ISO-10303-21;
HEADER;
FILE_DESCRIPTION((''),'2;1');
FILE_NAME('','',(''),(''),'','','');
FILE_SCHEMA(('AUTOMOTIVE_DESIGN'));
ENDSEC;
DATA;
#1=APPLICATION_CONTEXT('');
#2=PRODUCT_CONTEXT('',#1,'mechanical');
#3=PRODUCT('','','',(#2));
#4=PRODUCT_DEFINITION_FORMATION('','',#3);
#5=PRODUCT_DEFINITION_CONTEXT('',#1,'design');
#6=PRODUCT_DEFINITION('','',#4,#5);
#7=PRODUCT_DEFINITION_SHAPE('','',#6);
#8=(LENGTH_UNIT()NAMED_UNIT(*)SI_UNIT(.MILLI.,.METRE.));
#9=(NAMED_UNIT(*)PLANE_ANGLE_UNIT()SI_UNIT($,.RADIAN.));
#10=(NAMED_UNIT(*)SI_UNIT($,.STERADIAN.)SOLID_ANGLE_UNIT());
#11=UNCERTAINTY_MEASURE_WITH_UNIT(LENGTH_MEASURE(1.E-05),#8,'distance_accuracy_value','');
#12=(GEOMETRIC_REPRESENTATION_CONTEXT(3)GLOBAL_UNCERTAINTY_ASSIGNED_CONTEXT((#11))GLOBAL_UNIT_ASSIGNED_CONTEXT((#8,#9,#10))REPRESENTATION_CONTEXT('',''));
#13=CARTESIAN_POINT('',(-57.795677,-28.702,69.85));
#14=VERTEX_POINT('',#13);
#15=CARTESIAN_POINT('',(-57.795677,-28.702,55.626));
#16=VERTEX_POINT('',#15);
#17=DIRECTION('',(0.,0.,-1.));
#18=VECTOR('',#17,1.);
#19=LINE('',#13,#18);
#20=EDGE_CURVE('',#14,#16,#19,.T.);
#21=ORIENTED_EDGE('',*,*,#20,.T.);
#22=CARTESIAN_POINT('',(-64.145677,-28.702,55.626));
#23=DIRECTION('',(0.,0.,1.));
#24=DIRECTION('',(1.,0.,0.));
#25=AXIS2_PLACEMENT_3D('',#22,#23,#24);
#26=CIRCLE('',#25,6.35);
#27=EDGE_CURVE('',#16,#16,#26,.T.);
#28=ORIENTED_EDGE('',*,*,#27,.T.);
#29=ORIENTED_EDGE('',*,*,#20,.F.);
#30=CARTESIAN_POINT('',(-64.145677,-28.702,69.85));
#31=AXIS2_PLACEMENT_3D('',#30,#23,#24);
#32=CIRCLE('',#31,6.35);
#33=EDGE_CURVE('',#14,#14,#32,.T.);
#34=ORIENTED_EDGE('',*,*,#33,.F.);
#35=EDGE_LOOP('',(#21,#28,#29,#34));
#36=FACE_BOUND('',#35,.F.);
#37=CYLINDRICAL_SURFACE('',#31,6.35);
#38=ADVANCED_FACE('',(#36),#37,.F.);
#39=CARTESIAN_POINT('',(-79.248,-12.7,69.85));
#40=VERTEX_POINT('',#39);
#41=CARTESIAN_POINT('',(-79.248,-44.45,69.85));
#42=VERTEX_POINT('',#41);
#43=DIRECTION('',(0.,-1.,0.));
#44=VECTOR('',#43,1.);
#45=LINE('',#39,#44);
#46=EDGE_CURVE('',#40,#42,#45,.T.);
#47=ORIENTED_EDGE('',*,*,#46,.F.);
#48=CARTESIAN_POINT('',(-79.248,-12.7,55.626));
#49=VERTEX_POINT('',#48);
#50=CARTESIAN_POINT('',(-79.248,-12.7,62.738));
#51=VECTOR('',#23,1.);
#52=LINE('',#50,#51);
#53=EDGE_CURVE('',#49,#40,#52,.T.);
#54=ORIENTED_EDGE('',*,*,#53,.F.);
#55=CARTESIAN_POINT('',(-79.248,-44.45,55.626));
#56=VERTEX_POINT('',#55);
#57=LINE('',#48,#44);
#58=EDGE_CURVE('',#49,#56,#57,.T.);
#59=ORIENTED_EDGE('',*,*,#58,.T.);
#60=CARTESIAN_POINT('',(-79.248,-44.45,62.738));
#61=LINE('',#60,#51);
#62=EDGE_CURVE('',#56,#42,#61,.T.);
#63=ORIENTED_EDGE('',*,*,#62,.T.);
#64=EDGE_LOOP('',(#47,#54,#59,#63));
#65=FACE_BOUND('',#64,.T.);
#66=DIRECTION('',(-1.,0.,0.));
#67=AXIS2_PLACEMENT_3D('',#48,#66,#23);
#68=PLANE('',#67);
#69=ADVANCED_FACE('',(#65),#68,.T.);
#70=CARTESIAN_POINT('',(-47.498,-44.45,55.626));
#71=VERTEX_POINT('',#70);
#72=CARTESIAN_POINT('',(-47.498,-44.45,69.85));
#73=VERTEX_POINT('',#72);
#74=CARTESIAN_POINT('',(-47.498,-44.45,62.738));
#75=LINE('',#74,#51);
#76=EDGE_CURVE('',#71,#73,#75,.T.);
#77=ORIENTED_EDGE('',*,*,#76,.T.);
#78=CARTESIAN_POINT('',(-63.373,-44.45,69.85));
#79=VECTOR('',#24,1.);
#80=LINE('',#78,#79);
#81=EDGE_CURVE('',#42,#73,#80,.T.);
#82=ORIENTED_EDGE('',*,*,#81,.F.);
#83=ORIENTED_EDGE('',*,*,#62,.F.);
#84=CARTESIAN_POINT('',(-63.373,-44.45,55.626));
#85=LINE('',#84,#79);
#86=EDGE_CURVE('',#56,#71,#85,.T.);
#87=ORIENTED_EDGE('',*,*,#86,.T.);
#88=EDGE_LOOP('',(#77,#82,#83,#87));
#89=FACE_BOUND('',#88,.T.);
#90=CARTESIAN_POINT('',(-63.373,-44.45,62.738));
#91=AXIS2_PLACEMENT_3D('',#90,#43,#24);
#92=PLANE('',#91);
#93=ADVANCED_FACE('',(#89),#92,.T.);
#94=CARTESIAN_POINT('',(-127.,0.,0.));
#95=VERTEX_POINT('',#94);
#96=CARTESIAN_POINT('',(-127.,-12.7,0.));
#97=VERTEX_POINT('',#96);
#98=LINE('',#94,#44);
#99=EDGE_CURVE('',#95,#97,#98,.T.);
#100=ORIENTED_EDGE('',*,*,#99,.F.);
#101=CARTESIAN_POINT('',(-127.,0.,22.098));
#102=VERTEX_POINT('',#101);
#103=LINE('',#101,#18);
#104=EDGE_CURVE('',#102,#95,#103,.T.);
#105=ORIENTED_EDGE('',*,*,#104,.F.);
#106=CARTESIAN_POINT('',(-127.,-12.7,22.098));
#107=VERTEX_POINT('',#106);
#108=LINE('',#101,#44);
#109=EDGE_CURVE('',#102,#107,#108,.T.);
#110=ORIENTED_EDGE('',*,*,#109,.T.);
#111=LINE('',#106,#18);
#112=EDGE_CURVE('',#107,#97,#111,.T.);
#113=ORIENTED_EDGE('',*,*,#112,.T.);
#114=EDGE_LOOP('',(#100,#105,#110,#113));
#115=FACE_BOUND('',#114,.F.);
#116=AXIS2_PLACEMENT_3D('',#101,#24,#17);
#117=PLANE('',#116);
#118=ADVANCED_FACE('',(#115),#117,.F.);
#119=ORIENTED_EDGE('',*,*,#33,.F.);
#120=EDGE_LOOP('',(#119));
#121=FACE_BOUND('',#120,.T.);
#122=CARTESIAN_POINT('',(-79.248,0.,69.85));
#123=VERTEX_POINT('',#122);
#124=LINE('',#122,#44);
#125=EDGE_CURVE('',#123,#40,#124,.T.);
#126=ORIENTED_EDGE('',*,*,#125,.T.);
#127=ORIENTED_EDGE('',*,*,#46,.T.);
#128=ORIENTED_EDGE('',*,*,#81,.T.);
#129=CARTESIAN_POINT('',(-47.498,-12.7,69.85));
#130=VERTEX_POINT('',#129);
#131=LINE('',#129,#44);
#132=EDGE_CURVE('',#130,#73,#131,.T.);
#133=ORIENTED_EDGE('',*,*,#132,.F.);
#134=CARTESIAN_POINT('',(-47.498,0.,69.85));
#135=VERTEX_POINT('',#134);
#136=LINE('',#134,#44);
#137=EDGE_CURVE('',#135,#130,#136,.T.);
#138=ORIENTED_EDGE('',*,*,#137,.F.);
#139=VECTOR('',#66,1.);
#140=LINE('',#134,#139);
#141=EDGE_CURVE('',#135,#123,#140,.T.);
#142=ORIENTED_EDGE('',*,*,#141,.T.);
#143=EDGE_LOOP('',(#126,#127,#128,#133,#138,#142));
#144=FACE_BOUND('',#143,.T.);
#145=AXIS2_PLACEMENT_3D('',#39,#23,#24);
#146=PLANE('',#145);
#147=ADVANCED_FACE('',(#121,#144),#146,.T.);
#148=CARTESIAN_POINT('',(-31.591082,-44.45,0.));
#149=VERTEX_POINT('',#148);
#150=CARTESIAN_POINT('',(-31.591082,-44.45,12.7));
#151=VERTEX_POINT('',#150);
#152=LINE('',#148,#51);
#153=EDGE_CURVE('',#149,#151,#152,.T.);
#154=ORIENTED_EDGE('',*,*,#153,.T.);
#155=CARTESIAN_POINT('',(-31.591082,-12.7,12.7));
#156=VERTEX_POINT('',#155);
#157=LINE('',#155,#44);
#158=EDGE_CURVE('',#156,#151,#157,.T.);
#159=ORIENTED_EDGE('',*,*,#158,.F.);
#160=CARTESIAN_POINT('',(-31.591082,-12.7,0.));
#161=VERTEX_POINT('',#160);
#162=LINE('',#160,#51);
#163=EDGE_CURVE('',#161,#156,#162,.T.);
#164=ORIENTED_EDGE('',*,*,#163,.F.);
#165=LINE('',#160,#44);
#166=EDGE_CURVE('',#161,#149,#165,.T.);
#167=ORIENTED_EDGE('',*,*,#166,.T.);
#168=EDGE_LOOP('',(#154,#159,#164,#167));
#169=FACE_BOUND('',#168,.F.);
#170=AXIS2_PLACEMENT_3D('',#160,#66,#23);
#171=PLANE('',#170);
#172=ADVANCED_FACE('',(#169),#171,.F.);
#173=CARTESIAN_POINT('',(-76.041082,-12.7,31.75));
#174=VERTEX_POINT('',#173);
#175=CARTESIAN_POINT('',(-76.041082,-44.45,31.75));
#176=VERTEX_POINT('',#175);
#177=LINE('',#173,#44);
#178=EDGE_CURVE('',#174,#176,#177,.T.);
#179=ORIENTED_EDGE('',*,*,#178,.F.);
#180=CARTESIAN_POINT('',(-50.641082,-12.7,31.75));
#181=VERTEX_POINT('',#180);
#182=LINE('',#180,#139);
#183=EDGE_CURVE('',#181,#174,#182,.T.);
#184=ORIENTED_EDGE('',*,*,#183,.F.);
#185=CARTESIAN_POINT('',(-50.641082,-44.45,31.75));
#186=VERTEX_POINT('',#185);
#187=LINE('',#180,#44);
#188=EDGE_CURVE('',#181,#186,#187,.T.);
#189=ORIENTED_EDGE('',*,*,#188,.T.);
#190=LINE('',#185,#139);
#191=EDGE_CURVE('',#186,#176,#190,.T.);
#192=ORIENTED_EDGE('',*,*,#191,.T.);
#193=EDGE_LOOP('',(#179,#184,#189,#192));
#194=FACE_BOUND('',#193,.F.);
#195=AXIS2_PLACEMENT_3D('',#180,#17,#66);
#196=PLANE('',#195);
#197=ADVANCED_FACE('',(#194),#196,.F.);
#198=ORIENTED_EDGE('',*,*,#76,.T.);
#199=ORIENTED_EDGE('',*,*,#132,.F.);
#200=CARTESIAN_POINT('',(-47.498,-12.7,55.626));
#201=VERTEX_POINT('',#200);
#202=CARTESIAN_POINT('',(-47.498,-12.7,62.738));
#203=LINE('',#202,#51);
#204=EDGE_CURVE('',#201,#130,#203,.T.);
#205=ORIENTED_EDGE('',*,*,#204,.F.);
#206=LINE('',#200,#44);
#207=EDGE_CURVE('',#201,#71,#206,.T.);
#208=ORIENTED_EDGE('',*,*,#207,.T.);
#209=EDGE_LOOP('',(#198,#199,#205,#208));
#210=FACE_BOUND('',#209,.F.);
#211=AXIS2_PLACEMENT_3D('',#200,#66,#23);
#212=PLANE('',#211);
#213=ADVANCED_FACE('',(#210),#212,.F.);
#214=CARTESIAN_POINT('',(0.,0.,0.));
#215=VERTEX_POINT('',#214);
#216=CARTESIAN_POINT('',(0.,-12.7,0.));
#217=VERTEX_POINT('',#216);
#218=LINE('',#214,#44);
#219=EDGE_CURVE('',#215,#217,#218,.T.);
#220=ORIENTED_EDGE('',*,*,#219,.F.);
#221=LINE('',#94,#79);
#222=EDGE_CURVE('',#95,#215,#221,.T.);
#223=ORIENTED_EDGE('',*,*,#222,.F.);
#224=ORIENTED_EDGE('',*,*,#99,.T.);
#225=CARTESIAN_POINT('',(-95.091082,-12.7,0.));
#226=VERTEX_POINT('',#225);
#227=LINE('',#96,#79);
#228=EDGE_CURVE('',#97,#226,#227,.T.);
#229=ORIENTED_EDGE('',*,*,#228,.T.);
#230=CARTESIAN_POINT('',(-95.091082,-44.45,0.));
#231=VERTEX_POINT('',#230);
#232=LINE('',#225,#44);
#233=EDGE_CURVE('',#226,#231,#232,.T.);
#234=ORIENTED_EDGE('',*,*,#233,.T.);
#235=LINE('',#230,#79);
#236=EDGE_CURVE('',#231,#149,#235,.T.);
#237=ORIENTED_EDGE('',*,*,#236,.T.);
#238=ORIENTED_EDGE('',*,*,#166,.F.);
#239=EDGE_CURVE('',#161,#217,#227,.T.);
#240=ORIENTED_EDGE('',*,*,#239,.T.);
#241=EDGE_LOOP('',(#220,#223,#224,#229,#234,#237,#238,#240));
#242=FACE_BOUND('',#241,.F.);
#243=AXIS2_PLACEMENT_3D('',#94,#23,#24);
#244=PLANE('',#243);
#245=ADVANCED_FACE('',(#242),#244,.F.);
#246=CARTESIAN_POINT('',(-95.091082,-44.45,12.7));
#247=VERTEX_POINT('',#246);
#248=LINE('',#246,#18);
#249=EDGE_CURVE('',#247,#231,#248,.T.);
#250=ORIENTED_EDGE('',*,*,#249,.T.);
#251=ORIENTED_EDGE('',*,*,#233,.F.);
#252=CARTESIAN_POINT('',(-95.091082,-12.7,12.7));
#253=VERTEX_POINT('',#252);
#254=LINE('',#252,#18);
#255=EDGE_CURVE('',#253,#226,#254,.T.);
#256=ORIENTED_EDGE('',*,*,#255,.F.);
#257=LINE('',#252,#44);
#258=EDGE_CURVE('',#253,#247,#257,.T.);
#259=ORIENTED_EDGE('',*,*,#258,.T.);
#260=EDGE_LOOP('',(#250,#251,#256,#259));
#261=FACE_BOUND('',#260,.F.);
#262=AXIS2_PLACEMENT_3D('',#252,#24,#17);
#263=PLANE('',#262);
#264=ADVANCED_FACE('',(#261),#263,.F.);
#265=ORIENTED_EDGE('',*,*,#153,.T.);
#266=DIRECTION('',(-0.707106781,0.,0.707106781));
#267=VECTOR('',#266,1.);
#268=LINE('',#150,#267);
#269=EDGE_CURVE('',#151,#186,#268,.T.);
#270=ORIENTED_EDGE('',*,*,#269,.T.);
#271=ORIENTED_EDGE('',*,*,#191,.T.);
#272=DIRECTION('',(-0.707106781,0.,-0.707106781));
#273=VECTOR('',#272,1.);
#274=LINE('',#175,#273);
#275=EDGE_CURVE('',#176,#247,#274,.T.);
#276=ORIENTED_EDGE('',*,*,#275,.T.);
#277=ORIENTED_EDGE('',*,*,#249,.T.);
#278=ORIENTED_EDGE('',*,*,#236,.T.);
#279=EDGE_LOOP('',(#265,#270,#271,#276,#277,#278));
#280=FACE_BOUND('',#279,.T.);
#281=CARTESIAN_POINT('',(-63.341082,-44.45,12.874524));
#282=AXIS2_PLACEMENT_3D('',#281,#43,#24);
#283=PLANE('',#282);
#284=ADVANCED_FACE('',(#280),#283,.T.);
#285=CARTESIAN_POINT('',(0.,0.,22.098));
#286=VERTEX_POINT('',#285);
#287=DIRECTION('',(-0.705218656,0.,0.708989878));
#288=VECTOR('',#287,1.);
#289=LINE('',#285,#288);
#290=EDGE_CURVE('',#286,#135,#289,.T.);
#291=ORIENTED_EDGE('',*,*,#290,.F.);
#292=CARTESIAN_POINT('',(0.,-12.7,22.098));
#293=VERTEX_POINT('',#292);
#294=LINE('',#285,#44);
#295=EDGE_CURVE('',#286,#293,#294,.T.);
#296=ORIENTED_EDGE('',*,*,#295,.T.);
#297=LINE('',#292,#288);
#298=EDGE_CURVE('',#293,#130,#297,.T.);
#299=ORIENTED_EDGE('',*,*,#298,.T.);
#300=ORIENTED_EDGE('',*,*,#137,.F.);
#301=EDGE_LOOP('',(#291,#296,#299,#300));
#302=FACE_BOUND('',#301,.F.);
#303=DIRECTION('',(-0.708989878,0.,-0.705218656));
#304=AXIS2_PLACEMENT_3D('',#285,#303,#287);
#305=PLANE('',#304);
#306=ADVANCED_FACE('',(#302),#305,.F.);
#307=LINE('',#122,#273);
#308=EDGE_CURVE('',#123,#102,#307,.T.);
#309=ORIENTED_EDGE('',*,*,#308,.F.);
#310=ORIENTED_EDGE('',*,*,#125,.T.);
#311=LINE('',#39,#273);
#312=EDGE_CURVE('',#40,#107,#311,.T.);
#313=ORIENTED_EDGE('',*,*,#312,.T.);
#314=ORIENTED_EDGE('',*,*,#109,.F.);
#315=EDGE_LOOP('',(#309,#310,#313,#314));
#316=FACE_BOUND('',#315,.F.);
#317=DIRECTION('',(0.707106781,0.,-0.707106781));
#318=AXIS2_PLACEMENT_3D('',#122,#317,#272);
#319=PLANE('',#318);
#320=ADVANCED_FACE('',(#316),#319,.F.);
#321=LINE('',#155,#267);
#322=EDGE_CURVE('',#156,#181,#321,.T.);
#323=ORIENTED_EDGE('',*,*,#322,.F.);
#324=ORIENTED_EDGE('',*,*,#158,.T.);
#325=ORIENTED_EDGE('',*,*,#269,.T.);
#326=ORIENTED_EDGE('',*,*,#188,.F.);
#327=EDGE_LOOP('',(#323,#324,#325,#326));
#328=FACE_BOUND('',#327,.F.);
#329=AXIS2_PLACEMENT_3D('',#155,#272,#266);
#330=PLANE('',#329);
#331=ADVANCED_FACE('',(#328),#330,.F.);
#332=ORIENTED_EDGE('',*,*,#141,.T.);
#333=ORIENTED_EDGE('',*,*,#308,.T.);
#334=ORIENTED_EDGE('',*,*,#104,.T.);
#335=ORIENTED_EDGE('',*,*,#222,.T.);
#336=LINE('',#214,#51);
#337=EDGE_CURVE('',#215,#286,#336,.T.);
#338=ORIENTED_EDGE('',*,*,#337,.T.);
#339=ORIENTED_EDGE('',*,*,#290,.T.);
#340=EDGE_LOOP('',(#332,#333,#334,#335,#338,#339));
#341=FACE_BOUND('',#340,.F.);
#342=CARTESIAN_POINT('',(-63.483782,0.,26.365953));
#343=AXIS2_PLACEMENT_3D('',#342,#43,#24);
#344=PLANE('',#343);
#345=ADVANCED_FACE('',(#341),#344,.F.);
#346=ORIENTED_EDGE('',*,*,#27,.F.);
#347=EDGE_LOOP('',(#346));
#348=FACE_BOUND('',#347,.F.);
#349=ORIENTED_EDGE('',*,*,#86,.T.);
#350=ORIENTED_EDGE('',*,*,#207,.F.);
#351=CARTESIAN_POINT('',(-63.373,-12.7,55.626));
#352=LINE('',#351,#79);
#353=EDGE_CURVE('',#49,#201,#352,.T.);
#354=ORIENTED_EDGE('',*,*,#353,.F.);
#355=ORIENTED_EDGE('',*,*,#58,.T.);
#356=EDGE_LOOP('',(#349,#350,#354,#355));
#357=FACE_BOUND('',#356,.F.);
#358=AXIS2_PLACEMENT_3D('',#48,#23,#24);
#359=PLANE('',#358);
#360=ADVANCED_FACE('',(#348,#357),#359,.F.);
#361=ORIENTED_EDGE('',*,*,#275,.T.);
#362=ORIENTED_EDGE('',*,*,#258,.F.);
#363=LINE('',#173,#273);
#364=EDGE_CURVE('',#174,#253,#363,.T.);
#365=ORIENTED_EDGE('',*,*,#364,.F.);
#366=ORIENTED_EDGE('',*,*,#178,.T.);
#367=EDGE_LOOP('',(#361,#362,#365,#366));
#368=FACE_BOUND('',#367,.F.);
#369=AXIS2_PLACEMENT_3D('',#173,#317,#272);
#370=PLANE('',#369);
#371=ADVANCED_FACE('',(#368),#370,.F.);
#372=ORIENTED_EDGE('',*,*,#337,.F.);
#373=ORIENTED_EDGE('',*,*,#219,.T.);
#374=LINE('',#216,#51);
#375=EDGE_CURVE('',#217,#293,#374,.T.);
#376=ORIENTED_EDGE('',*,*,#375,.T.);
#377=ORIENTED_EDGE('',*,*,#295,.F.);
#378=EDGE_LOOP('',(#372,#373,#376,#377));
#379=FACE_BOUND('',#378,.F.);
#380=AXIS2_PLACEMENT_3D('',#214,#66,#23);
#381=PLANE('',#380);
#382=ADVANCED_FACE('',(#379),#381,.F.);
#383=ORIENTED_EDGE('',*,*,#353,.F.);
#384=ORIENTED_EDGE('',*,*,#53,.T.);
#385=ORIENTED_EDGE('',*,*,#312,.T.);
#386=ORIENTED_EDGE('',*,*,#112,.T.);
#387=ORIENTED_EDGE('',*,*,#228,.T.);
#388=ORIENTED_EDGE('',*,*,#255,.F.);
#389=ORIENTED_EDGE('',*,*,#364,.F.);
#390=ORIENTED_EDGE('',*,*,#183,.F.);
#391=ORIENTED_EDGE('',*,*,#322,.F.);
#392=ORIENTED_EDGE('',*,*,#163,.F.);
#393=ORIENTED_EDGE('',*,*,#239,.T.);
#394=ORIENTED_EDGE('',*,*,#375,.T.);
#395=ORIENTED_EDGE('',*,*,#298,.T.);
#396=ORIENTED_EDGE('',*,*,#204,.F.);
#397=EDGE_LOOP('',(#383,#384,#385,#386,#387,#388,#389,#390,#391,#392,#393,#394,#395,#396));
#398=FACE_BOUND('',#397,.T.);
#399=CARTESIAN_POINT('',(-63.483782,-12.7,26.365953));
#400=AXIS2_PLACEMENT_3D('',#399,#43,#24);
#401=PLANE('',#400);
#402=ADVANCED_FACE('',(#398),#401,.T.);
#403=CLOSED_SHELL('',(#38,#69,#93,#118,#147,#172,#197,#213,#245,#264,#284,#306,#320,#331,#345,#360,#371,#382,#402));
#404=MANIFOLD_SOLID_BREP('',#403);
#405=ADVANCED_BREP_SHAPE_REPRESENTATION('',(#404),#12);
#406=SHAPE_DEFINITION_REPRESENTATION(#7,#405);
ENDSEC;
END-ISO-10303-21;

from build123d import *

# Parameters (mm, degrees)
F1_DEPTH = 12.7
F3_DEPTH = 31.75
F4_W     = 31.75
F4_H     = 14.224
F5_DEPTH = 31.75
F6_R     = 6.35
F7_DEPTH = 25.4


with BuildPart() as f1:
    # F0 (on Front) → F1 (new body)
    with BuildSketch(Plane.XZ):
        Polygon((-127, 0), (0, 0), (0, 22.098), (-47.498, 69.85), (-79.248, 69.85), (-127, 22.098), align=None)
    extrude(amount=F1_DEPTH)

    # F2 (on face) → F3 (join)
    with BuildSketch(Plane.XZ.offset(12.7)):
        Polygon((-31.5910821557, 0), (-31.5910821557, 12.7), (-50.6410821557, 31.75), (-76.0410821557, 31.75), (-95.0910821557, 12.7), (-95.0910821557, 0), align=None)
    extrude(amount=F3_DEPTH)

    # F4 (on face) → F5 (join)
    with BuildSketch(Plane.XZ.offset(12.7)):
        with Locations((-63.373, 62.738)):
            Rectangle(F4_W, F4_H)
    extrude(amount=F5_DEPTH)

    # F6 (on face) → F7 (cut)
    with BuildSketch(Plane.XY.offset(69.85)):
        with Locations((-64.1456767917, -28.702)):
            Circle(F6_R)
    extrude(amount=-F7_DEPTH, mode=Mode.SUBTRACT)


solid = f1.part
